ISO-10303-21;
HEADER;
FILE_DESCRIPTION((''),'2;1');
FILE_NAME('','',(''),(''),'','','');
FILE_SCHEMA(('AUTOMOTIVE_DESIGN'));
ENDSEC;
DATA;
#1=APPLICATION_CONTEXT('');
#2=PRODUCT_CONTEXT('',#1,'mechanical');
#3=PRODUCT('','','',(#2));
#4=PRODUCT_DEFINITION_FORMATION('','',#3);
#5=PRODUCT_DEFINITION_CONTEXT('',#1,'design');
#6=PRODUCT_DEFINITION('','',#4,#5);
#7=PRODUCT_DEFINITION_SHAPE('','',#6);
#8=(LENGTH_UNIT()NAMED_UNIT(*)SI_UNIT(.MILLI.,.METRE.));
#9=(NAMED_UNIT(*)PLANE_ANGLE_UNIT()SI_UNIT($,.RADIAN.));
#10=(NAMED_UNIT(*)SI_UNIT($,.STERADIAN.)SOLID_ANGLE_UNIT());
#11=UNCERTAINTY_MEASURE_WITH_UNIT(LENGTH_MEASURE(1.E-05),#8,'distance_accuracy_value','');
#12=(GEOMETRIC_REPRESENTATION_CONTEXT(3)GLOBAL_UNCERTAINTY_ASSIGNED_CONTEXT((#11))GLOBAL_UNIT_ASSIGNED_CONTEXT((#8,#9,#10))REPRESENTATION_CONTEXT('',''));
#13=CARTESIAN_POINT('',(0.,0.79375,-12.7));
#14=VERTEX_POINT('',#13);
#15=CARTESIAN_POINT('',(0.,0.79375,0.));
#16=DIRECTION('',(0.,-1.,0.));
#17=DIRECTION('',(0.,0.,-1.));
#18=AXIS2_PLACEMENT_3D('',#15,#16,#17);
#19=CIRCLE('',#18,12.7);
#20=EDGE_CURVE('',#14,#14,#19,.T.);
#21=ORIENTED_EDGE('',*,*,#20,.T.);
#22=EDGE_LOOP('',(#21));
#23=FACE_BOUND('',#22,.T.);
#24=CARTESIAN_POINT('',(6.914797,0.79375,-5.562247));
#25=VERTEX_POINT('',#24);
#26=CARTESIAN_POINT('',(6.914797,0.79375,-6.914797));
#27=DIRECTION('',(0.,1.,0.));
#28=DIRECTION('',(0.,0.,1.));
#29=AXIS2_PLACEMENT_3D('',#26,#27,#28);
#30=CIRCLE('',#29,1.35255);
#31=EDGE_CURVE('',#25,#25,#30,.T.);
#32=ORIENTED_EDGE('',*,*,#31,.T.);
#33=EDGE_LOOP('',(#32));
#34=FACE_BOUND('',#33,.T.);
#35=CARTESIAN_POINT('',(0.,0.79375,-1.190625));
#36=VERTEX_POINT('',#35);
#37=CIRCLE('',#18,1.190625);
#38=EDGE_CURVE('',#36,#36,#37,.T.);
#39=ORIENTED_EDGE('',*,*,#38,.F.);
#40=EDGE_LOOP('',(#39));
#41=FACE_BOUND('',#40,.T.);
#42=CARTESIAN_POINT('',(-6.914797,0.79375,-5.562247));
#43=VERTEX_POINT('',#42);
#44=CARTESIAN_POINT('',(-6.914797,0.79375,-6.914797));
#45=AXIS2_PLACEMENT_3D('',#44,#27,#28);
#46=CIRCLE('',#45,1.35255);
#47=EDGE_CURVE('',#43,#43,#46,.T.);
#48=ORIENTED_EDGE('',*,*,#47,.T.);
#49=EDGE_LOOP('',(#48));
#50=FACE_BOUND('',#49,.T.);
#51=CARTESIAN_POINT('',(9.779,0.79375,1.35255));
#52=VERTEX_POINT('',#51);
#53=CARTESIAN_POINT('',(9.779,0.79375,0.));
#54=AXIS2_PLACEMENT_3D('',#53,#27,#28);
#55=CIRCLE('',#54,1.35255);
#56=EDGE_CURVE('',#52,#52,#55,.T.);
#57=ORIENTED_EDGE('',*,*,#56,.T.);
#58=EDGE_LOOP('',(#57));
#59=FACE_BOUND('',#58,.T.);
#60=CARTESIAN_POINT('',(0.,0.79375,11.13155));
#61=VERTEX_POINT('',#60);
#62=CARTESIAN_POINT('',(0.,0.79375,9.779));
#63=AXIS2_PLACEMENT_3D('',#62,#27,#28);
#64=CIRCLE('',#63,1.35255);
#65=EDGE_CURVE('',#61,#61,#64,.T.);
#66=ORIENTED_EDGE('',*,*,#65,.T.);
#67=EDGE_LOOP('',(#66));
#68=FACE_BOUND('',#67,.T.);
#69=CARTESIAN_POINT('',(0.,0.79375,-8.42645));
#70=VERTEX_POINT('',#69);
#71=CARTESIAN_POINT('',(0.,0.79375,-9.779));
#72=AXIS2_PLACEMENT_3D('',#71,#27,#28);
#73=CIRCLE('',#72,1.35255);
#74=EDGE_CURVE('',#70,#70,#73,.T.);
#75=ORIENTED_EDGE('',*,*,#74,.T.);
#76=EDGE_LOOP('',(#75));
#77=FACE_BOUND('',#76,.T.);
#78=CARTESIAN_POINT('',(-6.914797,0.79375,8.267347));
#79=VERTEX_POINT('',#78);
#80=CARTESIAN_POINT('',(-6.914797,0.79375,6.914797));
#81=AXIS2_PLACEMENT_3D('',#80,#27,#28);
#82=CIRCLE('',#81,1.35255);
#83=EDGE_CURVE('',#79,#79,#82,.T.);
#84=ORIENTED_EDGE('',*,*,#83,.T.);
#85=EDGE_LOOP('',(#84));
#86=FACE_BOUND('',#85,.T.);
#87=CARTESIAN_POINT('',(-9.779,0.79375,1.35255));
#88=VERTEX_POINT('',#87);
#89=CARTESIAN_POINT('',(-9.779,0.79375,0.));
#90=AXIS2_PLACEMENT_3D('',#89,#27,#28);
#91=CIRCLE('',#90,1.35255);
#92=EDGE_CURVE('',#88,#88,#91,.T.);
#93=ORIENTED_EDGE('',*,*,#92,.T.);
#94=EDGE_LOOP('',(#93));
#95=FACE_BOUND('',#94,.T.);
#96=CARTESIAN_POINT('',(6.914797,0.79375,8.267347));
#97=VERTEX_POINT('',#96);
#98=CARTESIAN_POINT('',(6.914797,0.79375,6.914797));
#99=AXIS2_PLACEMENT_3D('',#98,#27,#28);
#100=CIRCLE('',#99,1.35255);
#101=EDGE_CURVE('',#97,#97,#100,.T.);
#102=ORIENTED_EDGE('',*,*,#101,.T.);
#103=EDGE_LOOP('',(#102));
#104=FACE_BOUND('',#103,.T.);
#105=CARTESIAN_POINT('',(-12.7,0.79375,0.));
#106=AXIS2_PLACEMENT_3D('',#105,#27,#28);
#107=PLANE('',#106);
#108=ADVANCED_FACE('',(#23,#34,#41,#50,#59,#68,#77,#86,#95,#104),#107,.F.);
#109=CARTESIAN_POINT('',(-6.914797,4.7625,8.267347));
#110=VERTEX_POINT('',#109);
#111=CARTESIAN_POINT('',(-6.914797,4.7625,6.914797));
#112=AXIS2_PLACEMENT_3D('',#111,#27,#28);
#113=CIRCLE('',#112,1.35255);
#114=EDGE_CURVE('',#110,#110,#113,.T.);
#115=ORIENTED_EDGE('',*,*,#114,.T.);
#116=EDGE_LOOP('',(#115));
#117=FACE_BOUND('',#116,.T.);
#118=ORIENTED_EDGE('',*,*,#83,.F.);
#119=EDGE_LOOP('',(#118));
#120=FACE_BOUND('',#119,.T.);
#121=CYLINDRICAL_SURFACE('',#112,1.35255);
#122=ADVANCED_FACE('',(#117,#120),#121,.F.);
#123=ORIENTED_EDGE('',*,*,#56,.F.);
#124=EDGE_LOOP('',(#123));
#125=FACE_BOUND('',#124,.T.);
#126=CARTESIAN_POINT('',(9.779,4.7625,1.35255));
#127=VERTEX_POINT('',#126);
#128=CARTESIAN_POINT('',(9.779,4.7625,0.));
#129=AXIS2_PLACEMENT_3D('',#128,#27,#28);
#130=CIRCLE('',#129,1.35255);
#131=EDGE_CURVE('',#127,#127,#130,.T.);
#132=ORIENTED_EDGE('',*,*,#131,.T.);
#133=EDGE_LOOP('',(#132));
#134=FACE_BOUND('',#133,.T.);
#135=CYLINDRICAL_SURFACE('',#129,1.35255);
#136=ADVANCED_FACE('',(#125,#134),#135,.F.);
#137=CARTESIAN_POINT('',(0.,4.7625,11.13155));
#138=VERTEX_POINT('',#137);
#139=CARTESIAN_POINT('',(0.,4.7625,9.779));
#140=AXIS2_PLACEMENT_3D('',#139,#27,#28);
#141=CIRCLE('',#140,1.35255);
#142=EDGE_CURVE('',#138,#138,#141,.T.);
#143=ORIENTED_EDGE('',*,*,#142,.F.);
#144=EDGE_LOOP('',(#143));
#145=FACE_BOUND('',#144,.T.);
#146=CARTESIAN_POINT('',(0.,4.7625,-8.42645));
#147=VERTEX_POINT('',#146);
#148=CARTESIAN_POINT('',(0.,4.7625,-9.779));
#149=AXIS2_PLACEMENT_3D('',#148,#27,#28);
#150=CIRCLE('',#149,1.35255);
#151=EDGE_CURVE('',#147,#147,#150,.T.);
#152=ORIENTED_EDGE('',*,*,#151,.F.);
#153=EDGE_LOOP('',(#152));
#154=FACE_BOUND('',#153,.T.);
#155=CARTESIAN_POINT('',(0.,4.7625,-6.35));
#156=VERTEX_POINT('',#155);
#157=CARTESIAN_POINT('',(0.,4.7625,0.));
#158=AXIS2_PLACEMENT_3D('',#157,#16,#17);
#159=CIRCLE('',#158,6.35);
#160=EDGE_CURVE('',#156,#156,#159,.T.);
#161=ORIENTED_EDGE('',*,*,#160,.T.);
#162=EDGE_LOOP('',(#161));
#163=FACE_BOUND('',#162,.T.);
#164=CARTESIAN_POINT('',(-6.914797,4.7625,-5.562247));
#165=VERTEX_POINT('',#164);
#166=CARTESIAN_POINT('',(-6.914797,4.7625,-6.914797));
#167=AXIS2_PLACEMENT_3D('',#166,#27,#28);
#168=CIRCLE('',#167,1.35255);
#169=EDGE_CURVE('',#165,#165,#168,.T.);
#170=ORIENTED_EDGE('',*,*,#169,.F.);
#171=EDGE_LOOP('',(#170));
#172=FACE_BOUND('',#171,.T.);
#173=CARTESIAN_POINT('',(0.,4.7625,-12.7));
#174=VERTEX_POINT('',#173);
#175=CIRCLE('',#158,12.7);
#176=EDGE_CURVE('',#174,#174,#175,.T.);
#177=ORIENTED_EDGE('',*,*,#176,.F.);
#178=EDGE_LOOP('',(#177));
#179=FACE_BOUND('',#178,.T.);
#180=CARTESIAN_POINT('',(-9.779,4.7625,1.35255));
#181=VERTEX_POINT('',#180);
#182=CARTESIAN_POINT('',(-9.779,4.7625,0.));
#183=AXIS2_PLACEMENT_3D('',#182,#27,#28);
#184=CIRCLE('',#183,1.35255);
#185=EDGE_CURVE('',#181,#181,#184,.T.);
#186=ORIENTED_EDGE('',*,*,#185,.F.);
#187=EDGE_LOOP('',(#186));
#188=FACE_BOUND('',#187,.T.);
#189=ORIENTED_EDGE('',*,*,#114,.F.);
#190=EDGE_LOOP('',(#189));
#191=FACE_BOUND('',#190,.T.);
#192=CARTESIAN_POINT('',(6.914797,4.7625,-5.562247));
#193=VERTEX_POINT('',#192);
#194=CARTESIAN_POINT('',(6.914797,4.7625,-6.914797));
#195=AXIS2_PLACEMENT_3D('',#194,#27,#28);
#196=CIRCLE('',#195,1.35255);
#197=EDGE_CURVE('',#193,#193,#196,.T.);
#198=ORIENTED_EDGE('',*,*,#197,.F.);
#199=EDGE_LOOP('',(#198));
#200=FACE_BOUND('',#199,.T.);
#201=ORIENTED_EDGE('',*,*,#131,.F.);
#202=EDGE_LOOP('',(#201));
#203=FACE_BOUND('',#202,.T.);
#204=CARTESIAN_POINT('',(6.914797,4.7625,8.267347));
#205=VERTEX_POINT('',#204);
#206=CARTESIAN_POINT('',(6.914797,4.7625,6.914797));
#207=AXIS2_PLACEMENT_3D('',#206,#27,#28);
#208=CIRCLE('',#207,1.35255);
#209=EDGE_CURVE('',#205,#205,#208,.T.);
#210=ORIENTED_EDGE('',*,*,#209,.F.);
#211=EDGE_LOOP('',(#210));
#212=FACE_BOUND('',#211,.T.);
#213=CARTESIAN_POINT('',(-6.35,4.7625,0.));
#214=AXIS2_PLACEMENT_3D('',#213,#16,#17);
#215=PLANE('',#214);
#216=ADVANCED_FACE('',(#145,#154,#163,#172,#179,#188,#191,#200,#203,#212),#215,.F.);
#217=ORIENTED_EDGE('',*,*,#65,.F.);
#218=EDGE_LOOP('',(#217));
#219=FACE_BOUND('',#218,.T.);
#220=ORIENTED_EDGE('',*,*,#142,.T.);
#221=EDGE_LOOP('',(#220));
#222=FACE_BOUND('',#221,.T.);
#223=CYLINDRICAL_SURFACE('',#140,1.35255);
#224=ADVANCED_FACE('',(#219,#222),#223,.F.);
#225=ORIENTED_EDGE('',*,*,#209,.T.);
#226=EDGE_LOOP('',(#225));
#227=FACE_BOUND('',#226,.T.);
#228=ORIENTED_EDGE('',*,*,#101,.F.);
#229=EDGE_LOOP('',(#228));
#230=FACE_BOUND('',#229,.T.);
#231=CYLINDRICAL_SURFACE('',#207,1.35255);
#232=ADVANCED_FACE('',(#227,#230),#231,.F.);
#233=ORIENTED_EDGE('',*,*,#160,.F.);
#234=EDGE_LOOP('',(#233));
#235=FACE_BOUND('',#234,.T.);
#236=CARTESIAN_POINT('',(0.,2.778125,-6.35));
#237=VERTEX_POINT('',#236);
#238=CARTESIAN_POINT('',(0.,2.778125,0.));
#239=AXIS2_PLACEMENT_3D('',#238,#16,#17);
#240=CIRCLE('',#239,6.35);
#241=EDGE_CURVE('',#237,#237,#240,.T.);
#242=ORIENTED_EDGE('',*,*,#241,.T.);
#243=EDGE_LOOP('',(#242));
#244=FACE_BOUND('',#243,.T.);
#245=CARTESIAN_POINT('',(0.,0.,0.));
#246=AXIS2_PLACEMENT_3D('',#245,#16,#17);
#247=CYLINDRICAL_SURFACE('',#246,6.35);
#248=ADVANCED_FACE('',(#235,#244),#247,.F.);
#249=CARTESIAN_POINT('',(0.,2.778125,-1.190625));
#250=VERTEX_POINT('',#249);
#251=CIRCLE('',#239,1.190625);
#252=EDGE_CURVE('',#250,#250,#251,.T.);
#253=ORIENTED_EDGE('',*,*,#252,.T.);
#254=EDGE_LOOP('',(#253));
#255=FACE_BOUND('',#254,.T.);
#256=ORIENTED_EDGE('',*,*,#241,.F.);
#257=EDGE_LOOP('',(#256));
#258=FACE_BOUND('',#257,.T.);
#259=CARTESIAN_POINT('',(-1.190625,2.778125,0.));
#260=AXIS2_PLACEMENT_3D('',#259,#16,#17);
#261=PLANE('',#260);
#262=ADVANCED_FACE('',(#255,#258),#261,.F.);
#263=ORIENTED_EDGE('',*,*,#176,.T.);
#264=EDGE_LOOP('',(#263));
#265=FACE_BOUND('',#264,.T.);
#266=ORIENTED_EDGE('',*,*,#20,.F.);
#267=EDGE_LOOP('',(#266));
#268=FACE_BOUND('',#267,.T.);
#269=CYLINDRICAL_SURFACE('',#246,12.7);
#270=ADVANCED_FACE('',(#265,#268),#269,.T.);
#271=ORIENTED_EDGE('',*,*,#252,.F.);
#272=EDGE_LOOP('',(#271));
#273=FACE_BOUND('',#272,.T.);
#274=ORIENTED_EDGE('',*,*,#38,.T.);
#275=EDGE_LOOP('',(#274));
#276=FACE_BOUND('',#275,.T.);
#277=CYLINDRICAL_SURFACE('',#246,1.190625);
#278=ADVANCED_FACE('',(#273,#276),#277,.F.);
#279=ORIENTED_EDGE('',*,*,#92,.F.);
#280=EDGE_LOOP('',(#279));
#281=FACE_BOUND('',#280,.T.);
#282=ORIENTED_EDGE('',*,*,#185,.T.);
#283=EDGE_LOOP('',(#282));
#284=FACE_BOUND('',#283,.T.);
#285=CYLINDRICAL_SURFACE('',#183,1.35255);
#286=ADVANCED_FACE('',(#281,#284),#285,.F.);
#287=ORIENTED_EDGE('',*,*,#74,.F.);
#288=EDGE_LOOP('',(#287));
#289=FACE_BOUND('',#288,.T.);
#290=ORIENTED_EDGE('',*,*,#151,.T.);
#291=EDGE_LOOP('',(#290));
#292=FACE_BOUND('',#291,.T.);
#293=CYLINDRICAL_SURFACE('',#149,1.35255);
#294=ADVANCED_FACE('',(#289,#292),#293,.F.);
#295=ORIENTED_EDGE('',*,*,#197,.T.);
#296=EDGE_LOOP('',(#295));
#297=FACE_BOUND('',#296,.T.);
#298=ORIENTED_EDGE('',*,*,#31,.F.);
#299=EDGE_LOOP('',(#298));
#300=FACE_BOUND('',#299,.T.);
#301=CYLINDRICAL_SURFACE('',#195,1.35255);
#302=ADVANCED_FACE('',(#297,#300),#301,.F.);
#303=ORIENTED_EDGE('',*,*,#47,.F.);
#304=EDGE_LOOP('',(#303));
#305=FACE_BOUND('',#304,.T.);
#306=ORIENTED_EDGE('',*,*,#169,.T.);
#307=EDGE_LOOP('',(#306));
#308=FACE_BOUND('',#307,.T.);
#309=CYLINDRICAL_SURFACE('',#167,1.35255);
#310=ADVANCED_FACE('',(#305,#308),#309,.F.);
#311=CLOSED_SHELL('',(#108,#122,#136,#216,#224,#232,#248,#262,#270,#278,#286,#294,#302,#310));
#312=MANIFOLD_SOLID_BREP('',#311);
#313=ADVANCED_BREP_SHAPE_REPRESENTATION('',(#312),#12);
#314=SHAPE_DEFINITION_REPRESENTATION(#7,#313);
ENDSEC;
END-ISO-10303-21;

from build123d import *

# Parameters (mm, degrees)
F_6_32_TAPPED_HOLE1_D = 2.7051
CIRPATTERN1_COUNT     = 8


with BuildPart() as part:
    # Sketch1 → Revolve1 (revolve)
    with BuildSketch(Plane.XY, mode=Mode.PRIVATE) as revolve1_sk:
        Polygon((-12.7, 4.7625), (-12.7, 0.79375), (-1.190625, 0.79375), (-1.190625, 2.778125), (-6.35, 2.778125), (-6.35, 4.7625), align=None)
    revolve(revolve1_sk.sketch.rotate(Axis((0, 0, 0), (0, 1, 0)), 270), axis=Axis((0, 0, 0), (0, 1, 0)))

    # #6-32 Tapped Hole1 (through all)
    with Locations(Plane(origin=(0, 4.7625, 0), x_dir=(1, 0, 0), z_dir=(0, 1, 0))):
        with Locations((9.779, 0)):
            f_6_32_tapped_hole1 = Hole(F_6_32_TAPPED_HOLE1_D / 2)

    # CirPattern1: #6-32 Tapped Hole1 ×8 about axis
    cirpattern1_axis = Axis((0, 0, 0), (0, 1, 0))
    for i in range(1, CIRPATTERN1_COUNT):
        add(f_6_32_tapped_hole1.rotate(cirpattern1_axis, i * 360 / CIRPATTERN1_COUNT), mode=Mode.SUBTRACT)


solid = part.part
